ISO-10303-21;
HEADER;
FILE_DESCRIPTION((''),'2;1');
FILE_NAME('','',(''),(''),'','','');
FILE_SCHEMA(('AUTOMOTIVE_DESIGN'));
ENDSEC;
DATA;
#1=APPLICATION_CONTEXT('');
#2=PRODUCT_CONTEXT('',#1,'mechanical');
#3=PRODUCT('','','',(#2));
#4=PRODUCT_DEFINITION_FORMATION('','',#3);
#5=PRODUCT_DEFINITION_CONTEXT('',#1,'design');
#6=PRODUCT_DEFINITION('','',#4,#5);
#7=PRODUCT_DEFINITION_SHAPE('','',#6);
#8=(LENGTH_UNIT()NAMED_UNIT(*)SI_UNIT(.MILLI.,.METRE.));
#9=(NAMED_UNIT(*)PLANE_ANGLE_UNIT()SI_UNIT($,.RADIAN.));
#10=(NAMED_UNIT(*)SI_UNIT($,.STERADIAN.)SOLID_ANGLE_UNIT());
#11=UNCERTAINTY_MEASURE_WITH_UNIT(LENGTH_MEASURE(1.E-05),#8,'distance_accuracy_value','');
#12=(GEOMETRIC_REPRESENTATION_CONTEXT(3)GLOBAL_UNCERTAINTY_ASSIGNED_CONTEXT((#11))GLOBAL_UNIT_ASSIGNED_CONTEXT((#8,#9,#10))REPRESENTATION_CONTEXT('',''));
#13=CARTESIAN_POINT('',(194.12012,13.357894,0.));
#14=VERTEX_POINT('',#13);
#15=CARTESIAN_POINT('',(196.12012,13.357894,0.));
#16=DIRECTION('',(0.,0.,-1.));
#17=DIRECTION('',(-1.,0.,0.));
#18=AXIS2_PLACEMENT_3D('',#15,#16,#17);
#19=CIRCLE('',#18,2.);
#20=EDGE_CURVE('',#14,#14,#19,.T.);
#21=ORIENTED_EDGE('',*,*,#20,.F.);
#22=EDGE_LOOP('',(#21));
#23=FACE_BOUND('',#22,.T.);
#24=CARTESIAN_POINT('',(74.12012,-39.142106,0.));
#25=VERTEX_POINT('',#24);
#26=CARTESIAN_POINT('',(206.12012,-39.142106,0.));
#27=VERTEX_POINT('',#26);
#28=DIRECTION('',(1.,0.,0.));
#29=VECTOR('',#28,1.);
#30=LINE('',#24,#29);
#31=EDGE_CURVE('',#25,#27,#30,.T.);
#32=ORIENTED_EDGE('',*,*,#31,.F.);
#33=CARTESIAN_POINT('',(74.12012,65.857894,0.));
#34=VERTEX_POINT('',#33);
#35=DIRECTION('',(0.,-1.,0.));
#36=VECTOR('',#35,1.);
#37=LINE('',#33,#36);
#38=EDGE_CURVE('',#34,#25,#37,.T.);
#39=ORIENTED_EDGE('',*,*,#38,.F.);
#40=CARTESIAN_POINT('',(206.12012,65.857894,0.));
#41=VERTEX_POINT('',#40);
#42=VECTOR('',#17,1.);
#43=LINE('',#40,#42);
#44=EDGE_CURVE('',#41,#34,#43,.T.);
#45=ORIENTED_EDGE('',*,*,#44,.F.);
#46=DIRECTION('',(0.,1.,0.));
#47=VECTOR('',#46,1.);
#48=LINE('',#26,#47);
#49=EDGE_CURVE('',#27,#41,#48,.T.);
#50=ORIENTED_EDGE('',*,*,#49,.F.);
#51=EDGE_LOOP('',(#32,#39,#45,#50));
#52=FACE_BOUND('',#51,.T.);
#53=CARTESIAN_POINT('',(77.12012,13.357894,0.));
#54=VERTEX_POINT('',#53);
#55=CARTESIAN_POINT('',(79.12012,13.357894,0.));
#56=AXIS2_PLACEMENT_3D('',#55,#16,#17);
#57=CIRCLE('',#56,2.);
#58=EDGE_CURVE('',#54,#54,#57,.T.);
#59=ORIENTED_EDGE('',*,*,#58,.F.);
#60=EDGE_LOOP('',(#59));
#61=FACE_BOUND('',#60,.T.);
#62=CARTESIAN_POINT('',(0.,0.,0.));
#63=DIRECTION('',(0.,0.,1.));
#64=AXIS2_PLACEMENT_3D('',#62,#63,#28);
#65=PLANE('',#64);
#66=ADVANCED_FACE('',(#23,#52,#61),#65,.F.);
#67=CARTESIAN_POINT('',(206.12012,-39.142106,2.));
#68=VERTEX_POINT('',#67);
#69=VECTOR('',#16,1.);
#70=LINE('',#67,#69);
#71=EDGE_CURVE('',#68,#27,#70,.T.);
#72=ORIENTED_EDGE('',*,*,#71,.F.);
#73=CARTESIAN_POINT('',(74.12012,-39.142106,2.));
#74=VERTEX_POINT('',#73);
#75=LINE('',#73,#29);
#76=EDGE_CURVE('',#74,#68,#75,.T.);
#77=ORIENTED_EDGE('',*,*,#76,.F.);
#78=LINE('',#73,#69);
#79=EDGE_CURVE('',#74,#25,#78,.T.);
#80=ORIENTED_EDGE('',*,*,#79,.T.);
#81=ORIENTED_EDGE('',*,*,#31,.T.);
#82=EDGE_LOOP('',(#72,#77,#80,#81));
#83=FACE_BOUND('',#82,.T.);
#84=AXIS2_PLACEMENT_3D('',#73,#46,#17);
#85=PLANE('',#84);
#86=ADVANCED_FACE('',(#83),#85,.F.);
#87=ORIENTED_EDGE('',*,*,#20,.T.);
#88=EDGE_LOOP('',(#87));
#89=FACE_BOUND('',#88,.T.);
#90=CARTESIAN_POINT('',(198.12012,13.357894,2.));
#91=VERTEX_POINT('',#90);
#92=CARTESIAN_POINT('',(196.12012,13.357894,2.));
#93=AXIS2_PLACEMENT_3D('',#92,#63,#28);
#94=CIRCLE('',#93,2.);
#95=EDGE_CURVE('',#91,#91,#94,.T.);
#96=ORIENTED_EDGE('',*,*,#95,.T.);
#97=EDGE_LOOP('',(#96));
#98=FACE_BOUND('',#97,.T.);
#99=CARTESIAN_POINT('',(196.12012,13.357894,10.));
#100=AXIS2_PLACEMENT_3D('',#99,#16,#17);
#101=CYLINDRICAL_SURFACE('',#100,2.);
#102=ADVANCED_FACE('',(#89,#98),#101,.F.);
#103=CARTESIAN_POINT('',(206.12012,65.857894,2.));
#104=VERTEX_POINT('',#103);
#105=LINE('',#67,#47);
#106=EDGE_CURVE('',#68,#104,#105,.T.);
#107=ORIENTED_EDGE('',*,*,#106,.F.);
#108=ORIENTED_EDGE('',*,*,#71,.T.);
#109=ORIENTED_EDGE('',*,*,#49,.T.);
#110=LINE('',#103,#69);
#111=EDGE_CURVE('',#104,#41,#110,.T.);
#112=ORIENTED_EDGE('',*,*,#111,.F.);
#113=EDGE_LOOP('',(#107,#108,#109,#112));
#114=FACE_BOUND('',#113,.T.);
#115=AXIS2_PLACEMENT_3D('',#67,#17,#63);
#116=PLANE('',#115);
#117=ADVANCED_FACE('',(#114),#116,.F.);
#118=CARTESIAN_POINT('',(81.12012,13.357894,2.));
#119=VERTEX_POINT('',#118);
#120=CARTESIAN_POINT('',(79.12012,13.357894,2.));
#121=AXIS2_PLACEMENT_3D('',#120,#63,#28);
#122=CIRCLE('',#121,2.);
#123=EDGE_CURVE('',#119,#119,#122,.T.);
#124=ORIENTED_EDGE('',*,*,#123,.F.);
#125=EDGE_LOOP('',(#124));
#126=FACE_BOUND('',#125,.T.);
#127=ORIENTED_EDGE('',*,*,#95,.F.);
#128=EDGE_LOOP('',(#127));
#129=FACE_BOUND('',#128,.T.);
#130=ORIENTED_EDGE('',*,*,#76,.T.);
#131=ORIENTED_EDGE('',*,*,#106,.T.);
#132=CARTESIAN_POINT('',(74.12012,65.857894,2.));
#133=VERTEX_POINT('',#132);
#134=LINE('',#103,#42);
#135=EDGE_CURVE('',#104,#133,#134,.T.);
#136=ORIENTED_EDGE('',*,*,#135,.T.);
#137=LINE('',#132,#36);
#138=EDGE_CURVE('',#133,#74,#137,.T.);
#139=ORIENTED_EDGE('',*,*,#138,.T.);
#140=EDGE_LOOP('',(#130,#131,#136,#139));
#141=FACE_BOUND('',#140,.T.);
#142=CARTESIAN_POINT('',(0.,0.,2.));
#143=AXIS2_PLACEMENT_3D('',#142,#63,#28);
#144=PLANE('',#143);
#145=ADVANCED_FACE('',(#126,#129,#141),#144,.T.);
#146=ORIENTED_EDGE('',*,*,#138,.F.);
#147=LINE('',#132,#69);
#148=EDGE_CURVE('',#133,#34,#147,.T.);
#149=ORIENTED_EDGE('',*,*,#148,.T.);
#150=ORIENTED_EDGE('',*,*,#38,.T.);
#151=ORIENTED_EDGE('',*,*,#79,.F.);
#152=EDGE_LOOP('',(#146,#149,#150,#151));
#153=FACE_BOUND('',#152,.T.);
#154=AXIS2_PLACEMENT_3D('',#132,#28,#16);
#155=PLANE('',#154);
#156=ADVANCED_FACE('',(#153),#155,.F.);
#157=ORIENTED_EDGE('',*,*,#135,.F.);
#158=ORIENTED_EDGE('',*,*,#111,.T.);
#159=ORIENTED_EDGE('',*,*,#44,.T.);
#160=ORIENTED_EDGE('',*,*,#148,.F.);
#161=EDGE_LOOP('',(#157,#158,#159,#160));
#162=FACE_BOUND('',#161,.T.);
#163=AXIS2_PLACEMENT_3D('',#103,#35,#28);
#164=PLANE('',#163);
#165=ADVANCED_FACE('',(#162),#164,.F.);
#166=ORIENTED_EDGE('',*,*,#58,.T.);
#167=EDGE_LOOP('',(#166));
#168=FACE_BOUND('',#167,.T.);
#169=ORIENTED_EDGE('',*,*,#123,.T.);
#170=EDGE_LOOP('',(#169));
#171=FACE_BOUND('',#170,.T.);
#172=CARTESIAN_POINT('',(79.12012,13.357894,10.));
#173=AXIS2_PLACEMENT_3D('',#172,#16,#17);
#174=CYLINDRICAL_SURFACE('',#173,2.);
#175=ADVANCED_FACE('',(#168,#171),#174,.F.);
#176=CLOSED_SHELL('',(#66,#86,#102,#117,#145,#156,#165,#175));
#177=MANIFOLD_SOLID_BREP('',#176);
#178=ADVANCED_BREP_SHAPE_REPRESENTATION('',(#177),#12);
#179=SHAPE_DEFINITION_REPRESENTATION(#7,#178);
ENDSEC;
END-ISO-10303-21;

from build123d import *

# Parameters (mm, degrees)
SKETCH1_W           = 132
SKETCH1_H           = 105
BOSS_EXTRUDE1_DEPTH = 2
SKETCH2_R           = 2
CUT_EXTRUDE1_DEPTH  = 10
SKETCH3_R           = 2
CUT_EXTRUDE2_DEPTH  = 10


with BuildPart() as part:
    # Sketch1 → Boss-Extrude1 (new body)
    with BuildSketch(Plane.XY):
        with Locations((140.120120189, 13.357893544)):
            Rectangle(SKETCH1_W, SKETCH1_H)
    extrude(amount=BOSS_EXTRUDE1_DEPTH)

    # Sketch2 → Cut-Extrude1 (cut)
    with BuildSketch(Plane(origin=(0, 0, 0), x_dir=(-1, 0, 0), z_dir=(0, 0, -1))):
        with Locations((-196.120120189, 13.357893544)):
            Circle(SKETCH2_R)
    extrude(amount=-CUT_EXTRUDE1_DEPTH, mode=Mode.SUBTRACT)

    # Sketch3 → Cut-Extrude2 (cut)
    with BuildSketch(Plane(origin=(0, 0, 0), x_dir=(-1, 0, 0), z_dir=(0, 0, -1))):
        with Locations((-79.120120189, 13.357893544)):
            Circle(SKETCH3_R)
    extrude(amount=-CUT_EXTRUDE2_DEPTH, mode=Mode.SUBTRACT)


solid = part.part
